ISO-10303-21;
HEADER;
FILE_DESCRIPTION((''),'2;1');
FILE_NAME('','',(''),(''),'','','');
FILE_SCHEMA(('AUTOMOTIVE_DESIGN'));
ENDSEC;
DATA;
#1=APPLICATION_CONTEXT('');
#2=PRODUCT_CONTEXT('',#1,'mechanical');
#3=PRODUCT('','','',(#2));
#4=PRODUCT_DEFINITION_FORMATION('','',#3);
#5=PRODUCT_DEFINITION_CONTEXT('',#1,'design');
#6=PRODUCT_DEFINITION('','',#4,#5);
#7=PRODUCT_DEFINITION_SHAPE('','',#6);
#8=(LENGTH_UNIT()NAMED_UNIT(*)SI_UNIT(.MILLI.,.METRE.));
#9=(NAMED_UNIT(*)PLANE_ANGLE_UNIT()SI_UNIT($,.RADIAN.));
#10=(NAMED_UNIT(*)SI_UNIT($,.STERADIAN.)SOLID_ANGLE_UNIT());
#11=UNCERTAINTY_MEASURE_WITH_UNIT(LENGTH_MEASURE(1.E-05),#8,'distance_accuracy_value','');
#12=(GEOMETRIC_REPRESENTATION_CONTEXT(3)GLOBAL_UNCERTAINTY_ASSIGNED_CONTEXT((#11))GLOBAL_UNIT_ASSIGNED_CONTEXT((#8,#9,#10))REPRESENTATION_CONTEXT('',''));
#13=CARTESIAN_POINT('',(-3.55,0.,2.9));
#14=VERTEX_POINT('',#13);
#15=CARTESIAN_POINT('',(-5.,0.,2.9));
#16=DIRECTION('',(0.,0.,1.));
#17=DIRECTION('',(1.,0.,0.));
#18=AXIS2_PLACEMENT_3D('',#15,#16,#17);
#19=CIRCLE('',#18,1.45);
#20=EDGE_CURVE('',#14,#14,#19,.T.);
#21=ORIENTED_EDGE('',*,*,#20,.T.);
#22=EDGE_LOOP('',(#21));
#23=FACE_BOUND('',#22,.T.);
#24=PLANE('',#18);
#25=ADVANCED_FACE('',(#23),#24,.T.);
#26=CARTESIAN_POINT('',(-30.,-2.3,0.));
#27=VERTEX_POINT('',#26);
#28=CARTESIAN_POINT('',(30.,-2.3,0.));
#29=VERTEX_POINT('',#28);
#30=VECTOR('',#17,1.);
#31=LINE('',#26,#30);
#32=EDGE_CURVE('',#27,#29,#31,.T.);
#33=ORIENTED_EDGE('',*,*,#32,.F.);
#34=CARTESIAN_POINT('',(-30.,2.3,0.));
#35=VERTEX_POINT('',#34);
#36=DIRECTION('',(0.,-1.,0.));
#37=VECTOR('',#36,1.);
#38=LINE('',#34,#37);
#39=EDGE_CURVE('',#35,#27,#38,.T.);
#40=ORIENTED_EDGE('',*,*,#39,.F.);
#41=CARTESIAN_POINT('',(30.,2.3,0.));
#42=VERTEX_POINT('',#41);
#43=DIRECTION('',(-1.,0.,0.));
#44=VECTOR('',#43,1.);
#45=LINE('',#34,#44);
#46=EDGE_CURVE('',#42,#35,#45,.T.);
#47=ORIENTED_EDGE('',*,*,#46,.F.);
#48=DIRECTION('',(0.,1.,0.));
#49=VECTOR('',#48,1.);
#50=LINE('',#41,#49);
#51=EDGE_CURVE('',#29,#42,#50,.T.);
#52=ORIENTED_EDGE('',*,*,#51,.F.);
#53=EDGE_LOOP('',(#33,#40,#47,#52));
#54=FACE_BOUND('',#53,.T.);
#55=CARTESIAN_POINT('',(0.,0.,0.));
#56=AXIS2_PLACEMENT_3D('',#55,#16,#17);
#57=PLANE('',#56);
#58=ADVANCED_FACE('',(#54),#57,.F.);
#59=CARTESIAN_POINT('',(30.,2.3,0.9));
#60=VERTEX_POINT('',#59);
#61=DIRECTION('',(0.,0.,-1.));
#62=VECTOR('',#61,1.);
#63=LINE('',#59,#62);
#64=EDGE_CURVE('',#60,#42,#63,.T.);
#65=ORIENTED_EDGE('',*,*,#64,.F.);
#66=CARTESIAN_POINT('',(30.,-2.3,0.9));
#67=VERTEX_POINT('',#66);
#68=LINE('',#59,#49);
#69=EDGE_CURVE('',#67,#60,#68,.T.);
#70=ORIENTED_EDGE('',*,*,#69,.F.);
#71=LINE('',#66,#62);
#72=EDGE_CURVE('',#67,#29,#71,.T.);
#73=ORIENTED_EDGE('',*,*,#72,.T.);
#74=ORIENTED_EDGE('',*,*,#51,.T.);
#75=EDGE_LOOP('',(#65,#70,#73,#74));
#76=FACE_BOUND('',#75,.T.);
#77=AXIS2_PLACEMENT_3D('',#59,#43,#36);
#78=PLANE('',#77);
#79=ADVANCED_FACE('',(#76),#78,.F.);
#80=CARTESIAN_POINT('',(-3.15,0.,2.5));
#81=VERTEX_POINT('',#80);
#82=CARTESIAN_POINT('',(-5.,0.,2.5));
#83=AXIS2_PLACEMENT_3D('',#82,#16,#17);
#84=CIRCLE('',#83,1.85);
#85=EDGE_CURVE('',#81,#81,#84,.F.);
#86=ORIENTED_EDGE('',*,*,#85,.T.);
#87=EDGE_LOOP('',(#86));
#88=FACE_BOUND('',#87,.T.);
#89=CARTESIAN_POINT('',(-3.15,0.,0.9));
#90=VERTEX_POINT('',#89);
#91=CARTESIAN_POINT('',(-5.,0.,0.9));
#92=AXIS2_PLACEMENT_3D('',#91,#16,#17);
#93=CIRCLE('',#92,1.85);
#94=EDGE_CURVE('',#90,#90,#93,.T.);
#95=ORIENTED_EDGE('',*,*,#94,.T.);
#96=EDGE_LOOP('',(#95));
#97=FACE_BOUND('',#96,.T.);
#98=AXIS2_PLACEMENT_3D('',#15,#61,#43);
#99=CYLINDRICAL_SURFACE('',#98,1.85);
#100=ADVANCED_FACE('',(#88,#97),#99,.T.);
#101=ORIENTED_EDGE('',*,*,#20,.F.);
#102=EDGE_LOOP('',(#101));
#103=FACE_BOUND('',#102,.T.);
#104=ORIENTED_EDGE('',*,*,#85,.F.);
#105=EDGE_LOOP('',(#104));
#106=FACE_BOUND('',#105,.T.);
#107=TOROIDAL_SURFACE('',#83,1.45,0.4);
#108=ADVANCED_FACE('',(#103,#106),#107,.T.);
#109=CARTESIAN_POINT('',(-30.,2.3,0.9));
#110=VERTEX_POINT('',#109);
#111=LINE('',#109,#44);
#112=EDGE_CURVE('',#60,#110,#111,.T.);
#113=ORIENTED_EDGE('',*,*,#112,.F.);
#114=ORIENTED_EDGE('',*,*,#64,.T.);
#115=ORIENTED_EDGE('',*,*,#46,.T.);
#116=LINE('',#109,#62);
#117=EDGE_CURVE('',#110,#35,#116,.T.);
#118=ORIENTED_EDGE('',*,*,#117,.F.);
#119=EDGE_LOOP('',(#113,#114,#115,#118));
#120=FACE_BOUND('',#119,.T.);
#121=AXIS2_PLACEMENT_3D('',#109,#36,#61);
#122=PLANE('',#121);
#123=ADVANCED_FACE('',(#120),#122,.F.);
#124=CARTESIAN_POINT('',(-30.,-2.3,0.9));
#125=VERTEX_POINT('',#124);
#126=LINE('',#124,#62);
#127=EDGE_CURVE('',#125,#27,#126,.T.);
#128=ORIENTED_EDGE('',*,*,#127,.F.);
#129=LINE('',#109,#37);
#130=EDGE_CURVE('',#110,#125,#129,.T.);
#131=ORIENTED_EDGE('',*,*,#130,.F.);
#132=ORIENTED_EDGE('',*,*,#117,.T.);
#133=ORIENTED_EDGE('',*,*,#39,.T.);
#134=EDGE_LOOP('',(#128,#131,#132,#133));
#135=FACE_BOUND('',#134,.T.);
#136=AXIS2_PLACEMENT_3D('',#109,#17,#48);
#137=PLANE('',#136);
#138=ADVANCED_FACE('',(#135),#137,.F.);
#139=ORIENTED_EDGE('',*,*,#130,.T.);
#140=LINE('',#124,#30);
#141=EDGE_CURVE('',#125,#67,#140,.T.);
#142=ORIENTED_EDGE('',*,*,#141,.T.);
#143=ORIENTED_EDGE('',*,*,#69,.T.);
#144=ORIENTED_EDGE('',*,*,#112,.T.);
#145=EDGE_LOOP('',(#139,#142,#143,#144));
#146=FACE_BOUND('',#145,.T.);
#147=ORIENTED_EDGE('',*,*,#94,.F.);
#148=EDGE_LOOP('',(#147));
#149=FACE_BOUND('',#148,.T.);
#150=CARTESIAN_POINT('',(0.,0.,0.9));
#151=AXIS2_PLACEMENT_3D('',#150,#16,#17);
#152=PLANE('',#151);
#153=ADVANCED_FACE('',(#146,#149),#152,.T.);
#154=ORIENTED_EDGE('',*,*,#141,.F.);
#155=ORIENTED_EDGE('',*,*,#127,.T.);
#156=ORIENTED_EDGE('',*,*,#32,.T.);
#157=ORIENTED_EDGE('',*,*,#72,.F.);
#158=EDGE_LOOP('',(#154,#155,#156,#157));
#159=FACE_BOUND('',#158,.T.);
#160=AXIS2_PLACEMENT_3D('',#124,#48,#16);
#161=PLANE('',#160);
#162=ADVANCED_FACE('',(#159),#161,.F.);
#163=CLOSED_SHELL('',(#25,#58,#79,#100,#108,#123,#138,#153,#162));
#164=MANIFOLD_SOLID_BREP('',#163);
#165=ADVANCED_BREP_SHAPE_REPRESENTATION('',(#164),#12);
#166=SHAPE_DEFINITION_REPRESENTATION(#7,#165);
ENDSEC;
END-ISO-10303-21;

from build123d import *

# Parameters (mm, degrees)
SKICA1_W                = 60
SKICA1_H                = 4.6
P_IDAT_VYSUNUT_M1_DEPTH = 0.9
SKICA2_R                = 1.85
P_IDAT_VYSUNUT_M2_DEPTH = 2
ZAOBLIT1_R              = 0.4


with BuildPart() as part:
    # Skica1 → Přidat vysunutím1 (new body)
    with BuildSketch(Plane.XY):
        Rectangle(SKICA1_W, SKICA1_H)
    extrude(amount=P_IDAT_VYSUNUT_M1_DEPTH)

    # Skica2 → Přidat vysunutím2 (add)
    with BuildSketch(Plane.XY.offset(0.9)):
        with Locations((-5, 0)):
            Circle(SKICA2_R)
    extrude(amount=P_IDAT_VYSUNUT_M2_DEPTH)

    # Zaoblit1
    zaoblit1_edges = [part.edges().sort_by_distance(p)[0] for p in [
        (-6.85, 0, 2.9),
    ]]
    fillet(zaoblit1_edges, radius=ZAOBLIT1_R)


solid = part.part
